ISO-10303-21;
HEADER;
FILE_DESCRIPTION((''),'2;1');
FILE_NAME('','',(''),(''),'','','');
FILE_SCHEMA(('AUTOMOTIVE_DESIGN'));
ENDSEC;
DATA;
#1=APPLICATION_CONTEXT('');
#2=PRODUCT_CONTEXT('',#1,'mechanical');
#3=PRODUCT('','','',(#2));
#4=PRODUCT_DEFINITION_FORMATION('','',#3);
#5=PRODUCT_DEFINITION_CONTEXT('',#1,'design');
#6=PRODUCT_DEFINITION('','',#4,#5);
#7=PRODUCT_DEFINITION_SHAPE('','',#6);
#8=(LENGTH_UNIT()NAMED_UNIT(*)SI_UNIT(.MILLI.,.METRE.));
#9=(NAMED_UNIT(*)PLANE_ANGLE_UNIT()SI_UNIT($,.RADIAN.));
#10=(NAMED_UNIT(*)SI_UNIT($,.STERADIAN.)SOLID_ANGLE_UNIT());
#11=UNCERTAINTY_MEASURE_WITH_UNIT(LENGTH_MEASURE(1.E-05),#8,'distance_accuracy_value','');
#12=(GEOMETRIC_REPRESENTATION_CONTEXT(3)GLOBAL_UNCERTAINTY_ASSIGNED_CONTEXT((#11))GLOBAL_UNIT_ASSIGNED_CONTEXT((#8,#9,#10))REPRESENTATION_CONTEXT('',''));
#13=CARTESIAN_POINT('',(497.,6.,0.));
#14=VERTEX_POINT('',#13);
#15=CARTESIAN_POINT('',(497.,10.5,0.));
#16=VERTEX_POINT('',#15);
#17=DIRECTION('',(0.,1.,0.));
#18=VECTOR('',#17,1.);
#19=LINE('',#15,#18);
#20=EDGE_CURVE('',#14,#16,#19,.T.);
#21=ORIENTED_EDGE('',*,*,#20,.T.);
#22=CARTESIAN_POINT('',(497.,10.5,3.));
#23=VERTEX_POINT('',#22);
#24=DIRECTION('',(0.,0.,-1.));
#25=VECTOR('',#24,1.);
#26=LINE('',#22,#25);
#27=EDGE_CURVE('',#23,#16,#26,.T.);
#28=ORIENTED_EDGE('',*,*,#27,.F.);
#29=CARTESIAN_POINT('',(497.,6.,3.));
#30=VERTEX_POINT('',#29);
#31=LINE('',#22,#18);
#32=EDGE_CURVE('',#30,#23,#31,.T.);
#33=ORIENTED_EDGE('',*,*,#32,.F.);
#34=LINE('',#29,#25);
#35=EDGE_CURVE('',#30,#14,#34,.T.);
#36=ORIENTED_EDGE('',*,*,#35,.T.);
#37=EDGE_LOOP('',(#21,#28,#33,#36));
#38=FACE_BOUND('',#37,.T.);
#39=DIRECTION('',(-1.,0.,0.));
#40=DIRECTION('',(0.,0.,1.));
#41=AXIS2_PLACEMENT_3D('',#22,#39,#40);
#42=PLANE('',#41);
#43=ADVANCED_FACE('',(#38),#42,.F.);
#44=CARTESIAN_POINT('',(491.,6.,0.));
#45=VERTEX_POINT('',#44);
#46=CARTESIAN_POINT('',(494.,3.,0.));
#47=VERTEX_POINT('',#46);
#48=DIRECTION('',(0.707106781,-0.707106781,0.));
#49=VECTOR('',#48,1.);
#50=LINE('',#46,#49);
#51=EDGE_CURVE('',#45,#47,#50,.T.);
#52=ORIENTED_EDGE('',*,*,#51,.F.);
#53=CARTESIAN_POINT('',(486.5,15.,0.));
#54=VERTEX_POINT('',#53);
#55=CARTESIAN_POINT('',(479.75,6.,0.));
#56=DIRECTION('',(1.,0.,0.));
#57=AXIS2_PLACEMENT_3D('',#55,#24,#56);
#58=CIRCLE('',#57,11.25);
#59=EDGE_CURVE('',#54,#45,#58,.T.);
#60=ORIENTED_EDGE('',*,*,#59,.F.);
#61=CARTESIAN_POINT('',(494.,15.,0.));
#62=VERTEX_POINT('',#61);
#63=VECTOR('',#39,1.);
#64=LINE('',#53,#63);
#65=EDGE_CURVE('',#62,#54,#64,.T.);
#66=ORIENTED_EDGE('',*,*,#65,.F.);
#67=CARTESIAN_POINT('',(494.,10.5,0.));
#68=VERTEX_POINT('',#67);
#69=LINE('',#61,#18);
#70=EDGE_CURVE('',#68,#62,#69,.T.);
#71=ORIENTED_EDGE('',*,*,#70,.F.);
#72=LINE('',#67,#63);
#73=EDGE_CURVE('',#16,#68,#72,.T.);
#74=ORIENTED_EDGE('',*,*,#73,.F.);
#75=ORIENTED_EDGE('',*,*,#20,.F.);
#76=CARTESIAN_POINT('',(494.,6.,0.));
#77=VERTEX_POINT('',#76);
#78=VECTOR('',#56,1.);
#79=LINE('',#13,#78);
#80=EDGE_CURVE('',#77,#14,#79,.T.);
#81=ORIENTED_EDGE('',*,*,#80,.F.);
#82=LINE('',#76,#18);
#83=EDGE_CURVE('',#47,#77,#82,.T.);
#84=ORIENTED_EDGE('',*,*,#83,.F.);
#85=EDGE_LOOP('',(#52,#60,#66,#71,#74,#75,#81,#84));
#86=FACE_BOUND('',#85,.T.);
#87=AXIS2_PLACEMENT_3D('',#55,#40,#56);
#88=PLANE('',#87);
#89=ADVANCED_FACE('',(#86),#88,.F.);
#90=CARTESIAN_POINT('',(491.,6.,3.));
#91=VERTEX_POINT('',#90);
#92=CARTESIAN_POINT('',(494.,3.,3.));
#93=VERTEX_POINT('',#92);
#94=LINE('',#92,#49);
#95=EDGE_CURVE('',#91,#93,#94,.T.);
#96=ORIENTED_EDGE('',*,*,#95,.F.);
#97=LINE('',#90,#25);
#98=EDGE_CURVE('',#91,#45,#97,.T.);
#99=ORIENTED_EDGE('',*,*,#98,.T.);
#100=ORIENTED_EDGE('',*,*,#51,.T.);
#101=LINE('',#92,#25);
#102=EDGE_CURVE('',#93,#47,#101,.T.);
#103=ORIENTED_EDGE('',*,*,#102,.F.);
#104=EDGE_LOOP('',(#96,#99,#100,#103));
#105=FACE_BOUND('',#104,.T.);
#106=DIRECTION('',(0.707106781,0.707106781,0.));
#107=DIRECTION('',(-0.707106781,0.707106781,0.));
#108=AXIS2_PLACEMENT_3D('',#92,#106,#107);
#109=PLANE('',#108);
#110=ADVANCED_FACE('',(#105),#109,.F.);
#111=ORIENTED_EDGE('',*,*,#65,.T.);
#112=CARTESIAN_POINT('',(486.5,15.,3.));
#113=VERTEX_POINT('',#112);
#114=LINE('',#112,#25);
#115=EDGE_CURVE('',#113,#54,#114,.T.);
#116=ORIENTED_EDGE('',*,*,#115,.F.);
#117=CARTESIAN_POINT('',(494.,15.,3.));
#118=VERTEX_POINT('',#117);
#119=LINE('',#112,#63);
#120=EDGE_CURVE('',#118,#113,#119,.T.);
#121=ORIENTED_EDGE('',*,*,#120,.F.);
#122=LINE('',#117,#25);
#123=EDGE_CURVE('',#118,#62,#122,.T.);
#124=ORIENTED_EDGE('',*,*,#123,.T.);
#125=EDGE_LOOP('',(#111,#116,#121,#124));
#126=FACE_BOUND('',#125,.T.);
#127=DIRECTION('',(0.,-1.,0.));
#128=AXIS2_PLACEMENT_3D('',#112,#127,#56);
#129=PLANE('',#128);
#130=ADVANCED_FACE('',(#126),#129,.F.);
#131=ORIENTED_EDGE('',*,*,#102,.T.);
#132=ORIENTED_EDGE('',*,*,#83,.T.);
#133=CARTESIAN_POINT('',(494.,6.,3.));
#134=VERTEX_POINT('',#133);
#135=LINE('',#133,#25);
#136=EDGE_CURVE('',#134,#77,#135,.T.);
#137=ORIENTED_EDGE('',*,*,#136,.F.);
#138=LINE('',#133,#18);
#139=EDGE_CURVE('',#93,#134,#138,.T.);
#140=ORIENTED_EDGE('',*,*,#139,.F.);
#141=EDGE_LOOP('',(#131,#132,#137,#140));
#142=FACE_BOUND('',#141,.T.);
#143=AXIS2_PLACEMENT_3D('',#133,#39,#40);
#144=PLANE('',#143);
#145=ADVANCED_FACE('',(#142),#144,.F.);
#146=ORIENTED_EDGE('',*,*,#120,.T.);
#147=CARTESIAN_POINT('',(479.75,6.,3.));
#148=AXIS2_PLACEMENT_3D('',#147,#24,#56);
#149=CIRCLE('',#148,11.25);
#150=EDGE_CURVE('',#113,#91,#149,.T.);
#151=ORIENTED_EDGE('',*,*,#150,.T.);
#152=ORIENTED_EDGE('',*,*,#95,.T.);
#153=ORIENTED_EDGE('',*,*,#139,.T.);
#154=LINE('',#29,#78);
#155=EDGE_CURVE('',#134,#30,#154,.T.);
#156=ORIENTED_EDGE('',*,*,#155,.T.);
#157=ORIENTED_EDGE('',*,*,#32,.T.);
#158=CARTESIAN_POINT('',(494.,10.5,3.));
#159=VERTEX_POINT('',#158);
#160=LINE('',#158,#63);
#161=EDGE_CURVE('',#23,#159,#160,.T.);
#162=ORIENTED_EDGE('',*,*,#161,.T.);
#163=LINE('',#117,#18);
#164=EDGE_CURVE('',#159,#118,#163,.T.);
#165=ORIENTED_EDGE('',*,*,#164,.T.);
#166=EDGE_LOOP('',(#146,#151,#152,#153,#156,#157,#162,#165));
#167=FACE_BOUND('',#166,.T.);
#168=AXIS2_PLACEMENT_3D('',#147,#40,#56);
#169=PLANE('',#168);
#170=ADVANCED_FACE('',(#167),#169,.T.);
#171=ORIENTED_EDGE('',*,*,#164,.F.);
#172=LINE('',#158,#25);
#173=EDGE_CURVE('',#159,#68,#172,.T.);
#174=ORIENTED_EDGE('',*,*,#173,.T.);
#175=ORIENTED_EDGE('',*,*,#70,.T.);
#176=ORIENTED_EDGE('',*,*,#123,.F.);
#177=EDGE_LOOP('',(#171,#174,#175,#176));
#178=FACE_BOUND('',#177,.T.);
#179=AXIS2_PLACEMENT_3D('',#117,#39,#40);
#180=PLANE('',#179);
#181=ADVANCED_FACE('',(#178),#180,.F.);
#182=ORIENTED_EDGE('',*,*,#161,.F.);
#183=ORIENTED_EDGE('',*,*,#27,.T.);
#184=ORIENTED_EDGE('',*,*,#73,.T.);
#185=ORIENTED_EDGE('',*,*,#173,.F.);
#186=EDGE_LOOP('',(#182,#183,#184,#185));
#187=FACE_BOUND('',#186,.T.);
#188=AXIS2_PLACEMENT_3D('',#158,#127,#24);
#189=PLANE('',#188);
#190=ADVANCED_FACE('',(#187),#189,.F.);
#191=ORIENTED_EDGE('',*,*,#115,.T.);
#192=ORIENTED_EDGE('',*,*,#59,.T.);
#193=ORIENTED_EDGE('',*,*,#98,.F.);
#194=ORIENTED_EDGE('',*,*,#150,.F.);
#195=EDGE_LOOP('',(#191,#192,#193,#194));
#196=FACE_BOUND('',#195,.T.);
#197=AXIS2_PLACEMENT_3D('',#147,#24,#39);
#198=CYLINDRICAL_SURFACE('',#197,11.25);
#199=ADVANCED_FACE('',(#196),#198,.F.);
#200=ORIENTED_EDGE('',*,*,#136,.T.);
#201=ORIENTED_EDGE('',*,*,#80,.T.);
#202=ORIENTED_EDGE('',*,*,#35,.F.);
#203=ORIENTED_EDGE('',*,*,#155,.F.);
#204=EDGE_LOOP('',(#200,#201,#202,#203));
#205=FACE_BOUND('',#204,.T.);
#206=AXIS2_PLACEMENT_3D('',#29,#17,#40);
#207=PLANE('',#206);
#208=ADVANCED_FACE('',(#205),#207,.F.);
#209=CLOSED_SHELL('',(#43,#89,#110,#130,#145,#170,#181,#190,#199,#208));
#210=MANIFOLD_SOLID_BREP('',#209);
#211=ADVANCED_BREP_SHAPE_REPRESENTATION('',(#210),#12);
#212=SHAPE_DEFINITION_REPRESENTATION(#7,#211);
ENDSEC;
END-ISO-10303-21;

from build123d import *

# Parameters (mm, degrees)
BOSS_EXTRUDE1_DEPTH = 3


with BuildPart() as part:
    # Sketch1 → Boss-Extrude1 (new body)
    with BuildSketch(Plane.XY):
        with BuildLine():
            Line((494, 6), (494, 3))
            Line((494, 3), (491, 6))
            ThreePointArc((491, 6), (489.812305899, 11.031152949), (486.5, 15))
            Line((486.5, 15), (494, 15))
            Line((494, 15), (494, 10.5))
            Line((494, 10.5), (497, 10.5))
            Line((497, 10.5), (497, 6))
            Line((497, 6), (494, 6))
        make_face()
    extrude(amount=BOSS_EXTRUDE1_DEPTH)


solid = part.part
